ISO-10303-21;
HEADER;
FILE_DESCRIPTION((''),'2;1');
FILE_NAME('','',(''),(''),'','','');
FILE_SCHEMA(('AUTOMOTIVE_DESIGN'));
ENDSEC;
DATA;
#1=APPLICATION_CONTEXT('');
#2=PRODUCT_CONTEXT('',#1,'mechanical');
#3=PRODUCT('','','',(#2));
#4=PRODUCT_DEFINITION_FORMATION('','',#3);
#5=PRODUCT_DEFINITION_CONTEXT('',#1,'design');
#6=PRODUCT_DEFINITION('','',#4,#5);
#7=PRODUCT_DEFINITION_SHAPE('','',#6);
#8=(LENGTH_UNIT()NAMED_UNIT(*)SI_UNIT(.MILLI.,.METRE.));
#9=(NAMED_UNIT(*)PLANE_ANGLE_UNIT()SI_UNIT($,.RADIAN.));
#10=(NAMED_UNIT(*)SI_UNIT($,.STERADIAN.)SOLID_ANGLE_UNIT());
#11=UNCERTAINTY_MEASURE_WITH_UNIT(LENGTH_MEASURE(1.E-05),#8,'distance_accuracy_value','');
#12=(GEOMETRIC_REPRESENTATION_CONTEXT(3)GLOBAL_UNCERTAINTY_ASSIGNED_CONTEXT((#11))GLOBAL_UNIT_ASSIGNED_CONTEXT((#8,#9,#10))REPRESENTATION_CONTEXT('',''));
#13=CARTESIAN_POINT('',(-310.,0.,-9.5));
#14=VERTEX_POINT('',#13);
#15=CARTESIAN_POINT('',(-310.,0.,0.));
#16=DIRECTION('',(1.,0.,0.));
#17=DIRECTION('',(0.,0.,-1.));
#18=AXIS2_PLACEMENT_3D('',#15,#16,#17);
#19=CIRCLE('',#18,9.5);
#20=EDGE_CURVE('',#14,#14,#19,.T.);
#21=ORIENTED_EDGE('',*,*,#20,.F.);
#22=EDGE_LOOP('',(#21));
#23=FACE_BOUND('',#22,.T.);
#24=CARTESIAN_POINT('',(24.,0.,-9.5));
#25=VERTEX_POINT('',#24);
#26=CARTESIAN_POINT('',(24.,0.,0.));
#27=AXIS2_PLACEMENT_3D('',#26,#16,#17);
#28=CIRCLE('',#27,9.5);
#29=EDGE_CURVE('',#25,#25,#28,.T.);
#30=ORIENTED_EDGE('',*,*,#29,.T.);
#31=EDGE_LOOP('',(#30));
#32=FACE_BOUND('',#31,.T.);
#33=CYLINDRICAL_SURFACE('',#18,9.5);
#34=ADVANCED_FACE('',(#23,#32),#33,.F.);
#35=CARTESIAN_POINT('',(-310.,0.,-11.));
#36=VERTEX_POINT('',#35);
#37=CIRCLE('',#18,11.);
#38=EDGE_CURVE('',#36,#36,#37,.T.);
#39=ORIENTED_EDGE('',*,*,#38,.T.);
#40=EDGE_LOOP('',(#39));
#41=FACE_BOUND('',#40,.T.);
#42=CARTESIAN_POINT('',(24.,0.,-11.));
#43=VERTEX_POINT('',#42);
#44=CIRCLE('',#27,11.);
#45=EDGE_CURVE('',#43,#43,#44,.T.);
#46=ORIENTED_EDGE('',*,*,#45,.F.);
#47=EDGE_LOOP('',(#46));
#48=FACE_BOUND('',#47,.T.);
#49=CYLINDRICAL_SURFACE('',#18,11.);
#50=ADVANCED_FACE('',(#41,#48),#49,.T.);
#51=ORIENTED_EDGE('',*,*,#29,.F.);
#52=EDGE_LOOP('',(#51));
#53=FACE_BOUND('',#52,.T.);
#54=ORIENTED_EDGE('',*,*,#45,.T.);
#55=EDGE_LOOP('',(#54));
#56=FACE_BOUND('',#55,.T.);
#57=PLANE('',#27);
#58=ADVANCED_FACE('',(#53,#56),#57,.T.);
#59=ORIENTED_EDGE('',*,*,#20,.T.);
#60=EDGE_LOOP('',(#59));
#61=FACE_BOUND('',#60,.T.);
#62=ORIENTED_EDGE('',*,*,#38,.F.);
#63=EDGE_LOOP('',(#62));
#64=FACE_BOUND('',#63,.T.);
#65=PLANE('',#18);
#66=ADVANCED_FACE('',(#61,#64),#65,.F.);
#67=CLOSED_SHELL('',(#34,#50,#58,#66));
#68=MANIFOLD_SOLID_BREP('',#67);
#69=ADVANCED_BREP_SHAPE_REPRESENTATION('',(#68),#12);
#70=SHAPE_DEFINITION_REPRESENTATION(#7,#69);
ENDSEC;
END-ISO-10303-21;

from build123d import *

# Parameters (mm, degrees)
BOSS_EXTRUDE1_DEPTH      = 24
BOSS_EXTRUDE1_DEPTH_BACK = 310
SKETCH1_R                = 11
SKETCH1_R_2              = 9.5


with BuildPart() as part:
    # Sketch1 → Boss-Extrude1 (new, two sides: drawn at the far end of the back side and taken through both)
    with BuildSketch(Plane(origin=(0, 0, 0), x_dir=(0, 0, -1), z_dir=(1, 0, 0)).offset(-BOSS_EXTRUDE1_DEPTH_BACK)):
        Circle(SKETCH1_R)
        Circle(SKETCH1_R_2, mode=Mode.SUBTRACT)
    extrude(amount=BOSS_EXTRUDE1_DEPTH + BOSS_EXTRUDE1_DEPTH_BACK)


solid = part.part
